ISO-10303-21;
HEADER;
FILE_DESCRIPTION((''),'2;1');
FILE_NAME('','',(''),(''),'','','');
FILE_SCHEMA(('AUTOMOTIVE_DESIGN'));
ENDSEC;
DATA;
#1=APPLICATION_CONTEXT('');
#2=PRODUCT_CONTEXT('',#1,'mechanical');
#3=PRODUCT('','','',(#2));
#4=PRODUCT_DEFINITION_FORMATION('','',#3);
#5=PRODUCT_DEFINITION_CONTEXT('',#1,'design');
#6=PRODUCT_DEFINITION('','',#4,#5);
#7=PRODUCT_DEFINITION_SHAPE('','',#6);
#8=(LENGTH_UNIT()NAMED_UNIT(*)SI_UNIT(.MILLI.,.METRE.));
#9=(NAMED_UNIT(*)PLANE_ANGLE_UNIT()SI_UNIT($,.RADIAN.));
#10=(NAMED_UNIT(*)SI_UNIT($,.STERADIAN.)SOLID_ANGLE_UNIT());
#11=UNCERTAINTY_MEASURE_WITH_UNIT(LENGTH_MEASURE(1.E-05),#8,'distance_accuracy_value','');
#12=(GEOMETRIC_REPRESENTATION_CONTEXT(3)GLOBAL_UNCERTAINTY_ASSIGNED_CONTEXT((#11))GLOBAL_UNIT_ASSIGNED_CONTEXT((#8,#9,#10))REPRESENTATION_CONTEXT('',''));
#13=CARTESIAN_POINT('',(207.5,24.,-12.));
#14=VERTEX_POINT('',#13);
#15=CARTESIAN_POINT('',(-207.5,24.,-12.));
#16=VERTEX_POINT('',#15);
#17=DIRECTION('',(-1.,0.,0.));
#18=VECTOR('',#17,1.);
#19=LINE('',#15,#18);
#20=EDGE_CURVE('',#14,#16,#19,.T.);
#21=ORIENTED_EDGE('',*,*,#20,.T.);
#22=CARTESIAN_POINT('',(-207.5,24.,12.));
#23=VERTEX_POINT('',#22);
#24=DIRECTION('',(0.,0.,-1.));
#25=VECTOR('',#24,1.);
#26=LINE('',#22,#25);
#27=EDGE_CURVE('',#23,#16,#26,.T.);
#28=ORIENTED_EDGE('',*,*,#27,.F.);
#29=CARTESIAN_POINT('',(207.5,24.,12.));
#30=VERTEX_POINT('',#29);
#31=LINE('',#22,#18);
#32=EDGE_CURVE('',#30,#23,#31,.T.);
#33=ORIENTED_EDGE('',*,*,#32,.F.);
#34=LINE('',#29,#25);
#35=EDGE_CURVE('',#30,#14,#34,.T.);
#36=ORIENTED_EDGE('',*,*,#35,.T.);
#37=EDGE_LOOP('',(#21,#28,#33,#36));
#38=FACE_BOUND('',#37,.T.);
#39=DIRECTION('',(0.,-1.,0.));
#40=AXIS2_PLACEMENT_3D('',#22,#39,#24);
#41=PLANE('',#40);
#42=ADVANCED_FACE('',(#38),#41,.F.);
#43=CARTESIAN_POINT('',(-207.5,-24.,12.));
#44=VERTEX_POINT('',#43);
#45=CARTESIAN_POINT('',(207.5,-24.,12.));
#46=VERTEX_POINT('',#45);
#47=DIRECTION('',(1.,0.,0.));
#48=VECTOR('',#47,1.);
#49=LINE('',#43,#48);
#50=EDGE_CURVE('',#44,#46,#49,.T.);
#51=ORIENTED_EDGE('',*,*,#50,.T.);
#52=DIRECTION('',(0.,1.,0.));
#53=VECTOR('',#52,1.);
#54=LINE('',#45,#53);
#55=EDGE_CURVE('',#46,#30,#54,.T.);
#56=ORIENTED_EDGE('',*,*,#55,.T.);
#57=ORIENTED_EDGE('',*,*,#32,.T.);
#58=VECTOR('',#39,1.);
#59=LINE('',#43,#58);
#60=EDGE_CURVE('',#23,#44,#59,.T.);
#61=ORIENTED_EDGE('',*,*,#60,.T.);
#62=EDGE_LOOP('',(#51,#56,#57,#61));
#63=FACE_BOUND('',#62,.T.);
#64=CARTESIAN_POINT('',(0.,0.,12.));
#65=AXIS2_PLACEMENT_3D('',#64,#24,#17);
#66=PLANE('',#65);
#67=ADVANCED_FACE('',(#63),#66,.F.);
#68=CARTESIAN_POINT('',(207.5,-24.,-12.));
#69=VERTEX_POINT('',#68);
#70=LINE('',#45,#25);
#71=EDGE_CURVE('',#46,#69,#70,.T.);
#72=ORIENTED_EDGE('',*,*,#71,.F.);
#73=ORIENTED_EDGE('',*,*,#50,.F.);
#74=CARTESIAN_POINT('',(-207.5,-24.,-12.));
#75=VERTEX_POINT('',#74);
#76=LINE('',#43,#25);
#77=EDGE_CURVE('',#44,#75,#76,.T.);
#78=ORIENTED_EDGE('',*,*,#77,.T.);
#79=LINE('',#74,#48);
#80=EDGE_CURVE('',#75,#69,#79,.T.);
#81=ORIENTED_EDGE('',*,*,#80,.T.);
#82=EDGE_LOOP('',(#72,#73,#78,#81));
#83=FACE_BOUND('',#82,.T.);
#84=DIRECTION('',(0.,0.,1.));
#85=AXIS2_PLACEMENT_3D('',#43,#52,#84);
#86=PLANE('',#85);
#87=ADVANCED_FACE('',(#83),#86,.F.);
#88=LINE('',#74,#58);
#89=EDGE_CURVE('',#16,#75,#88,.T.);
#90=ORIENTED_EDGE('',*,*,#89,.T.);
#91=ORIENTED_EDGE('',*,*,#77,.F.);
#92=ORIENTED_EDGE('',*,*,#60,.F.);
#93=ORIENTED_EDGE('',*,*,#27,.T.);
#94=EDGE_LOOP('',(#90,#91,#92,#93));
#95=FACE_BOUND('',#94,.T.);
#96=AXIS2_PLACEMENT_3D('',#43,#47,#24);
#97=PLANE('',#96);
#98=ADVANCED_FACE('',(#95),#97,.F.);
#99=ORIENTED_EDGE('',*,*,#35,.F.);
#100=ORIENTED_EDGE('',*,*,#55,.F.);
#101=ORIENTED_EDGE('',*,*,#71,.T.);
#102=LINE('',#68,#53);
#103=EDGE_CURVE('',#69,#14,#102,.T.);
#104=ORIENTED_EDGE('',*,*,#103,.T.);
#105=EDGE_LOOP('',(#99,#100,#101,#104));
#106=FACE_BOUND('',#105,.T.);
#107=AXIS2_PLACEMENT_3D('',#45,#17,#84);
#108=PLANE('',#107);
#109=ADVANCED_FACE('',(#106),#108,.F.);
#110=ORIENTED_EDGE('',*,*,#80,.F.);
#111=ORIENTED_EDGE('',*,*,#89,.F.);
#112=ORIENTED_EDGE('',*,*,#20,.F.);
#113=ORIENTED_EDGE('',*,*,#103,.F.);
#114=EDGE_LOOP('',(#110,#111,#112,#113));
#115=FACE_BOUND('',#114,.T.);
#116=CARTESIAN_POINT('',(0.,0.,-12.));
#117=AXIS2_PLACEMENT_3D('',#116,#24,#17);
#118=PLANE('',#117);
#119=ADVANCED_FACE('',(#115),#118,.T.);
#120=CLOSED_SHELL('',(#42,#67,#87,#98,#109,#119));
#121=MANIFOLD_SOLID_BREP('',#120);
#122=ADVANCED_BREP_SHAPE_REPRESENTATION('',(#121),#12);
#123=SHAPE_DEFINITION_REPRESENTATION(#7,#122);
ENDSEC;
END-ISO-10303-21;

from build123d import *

# Parameters (mm, degrees)
ESQUISSE1_W        = 415
ESQUISSE1_H        = 48
BOSS_EXTRU_1_DEPTH = 12


with BuildPart() as part:
    # Esquisse1 → Boss.-Extru.1 (new, symmetric)
    with BuildSketch(Plane.XY):
        Rectangle(ESQUISSE1_W, ESQUISSE1_H)
    extrude(amount=BOSS_EXTRU_1_DEPTH, both=True)


solid = part.part
